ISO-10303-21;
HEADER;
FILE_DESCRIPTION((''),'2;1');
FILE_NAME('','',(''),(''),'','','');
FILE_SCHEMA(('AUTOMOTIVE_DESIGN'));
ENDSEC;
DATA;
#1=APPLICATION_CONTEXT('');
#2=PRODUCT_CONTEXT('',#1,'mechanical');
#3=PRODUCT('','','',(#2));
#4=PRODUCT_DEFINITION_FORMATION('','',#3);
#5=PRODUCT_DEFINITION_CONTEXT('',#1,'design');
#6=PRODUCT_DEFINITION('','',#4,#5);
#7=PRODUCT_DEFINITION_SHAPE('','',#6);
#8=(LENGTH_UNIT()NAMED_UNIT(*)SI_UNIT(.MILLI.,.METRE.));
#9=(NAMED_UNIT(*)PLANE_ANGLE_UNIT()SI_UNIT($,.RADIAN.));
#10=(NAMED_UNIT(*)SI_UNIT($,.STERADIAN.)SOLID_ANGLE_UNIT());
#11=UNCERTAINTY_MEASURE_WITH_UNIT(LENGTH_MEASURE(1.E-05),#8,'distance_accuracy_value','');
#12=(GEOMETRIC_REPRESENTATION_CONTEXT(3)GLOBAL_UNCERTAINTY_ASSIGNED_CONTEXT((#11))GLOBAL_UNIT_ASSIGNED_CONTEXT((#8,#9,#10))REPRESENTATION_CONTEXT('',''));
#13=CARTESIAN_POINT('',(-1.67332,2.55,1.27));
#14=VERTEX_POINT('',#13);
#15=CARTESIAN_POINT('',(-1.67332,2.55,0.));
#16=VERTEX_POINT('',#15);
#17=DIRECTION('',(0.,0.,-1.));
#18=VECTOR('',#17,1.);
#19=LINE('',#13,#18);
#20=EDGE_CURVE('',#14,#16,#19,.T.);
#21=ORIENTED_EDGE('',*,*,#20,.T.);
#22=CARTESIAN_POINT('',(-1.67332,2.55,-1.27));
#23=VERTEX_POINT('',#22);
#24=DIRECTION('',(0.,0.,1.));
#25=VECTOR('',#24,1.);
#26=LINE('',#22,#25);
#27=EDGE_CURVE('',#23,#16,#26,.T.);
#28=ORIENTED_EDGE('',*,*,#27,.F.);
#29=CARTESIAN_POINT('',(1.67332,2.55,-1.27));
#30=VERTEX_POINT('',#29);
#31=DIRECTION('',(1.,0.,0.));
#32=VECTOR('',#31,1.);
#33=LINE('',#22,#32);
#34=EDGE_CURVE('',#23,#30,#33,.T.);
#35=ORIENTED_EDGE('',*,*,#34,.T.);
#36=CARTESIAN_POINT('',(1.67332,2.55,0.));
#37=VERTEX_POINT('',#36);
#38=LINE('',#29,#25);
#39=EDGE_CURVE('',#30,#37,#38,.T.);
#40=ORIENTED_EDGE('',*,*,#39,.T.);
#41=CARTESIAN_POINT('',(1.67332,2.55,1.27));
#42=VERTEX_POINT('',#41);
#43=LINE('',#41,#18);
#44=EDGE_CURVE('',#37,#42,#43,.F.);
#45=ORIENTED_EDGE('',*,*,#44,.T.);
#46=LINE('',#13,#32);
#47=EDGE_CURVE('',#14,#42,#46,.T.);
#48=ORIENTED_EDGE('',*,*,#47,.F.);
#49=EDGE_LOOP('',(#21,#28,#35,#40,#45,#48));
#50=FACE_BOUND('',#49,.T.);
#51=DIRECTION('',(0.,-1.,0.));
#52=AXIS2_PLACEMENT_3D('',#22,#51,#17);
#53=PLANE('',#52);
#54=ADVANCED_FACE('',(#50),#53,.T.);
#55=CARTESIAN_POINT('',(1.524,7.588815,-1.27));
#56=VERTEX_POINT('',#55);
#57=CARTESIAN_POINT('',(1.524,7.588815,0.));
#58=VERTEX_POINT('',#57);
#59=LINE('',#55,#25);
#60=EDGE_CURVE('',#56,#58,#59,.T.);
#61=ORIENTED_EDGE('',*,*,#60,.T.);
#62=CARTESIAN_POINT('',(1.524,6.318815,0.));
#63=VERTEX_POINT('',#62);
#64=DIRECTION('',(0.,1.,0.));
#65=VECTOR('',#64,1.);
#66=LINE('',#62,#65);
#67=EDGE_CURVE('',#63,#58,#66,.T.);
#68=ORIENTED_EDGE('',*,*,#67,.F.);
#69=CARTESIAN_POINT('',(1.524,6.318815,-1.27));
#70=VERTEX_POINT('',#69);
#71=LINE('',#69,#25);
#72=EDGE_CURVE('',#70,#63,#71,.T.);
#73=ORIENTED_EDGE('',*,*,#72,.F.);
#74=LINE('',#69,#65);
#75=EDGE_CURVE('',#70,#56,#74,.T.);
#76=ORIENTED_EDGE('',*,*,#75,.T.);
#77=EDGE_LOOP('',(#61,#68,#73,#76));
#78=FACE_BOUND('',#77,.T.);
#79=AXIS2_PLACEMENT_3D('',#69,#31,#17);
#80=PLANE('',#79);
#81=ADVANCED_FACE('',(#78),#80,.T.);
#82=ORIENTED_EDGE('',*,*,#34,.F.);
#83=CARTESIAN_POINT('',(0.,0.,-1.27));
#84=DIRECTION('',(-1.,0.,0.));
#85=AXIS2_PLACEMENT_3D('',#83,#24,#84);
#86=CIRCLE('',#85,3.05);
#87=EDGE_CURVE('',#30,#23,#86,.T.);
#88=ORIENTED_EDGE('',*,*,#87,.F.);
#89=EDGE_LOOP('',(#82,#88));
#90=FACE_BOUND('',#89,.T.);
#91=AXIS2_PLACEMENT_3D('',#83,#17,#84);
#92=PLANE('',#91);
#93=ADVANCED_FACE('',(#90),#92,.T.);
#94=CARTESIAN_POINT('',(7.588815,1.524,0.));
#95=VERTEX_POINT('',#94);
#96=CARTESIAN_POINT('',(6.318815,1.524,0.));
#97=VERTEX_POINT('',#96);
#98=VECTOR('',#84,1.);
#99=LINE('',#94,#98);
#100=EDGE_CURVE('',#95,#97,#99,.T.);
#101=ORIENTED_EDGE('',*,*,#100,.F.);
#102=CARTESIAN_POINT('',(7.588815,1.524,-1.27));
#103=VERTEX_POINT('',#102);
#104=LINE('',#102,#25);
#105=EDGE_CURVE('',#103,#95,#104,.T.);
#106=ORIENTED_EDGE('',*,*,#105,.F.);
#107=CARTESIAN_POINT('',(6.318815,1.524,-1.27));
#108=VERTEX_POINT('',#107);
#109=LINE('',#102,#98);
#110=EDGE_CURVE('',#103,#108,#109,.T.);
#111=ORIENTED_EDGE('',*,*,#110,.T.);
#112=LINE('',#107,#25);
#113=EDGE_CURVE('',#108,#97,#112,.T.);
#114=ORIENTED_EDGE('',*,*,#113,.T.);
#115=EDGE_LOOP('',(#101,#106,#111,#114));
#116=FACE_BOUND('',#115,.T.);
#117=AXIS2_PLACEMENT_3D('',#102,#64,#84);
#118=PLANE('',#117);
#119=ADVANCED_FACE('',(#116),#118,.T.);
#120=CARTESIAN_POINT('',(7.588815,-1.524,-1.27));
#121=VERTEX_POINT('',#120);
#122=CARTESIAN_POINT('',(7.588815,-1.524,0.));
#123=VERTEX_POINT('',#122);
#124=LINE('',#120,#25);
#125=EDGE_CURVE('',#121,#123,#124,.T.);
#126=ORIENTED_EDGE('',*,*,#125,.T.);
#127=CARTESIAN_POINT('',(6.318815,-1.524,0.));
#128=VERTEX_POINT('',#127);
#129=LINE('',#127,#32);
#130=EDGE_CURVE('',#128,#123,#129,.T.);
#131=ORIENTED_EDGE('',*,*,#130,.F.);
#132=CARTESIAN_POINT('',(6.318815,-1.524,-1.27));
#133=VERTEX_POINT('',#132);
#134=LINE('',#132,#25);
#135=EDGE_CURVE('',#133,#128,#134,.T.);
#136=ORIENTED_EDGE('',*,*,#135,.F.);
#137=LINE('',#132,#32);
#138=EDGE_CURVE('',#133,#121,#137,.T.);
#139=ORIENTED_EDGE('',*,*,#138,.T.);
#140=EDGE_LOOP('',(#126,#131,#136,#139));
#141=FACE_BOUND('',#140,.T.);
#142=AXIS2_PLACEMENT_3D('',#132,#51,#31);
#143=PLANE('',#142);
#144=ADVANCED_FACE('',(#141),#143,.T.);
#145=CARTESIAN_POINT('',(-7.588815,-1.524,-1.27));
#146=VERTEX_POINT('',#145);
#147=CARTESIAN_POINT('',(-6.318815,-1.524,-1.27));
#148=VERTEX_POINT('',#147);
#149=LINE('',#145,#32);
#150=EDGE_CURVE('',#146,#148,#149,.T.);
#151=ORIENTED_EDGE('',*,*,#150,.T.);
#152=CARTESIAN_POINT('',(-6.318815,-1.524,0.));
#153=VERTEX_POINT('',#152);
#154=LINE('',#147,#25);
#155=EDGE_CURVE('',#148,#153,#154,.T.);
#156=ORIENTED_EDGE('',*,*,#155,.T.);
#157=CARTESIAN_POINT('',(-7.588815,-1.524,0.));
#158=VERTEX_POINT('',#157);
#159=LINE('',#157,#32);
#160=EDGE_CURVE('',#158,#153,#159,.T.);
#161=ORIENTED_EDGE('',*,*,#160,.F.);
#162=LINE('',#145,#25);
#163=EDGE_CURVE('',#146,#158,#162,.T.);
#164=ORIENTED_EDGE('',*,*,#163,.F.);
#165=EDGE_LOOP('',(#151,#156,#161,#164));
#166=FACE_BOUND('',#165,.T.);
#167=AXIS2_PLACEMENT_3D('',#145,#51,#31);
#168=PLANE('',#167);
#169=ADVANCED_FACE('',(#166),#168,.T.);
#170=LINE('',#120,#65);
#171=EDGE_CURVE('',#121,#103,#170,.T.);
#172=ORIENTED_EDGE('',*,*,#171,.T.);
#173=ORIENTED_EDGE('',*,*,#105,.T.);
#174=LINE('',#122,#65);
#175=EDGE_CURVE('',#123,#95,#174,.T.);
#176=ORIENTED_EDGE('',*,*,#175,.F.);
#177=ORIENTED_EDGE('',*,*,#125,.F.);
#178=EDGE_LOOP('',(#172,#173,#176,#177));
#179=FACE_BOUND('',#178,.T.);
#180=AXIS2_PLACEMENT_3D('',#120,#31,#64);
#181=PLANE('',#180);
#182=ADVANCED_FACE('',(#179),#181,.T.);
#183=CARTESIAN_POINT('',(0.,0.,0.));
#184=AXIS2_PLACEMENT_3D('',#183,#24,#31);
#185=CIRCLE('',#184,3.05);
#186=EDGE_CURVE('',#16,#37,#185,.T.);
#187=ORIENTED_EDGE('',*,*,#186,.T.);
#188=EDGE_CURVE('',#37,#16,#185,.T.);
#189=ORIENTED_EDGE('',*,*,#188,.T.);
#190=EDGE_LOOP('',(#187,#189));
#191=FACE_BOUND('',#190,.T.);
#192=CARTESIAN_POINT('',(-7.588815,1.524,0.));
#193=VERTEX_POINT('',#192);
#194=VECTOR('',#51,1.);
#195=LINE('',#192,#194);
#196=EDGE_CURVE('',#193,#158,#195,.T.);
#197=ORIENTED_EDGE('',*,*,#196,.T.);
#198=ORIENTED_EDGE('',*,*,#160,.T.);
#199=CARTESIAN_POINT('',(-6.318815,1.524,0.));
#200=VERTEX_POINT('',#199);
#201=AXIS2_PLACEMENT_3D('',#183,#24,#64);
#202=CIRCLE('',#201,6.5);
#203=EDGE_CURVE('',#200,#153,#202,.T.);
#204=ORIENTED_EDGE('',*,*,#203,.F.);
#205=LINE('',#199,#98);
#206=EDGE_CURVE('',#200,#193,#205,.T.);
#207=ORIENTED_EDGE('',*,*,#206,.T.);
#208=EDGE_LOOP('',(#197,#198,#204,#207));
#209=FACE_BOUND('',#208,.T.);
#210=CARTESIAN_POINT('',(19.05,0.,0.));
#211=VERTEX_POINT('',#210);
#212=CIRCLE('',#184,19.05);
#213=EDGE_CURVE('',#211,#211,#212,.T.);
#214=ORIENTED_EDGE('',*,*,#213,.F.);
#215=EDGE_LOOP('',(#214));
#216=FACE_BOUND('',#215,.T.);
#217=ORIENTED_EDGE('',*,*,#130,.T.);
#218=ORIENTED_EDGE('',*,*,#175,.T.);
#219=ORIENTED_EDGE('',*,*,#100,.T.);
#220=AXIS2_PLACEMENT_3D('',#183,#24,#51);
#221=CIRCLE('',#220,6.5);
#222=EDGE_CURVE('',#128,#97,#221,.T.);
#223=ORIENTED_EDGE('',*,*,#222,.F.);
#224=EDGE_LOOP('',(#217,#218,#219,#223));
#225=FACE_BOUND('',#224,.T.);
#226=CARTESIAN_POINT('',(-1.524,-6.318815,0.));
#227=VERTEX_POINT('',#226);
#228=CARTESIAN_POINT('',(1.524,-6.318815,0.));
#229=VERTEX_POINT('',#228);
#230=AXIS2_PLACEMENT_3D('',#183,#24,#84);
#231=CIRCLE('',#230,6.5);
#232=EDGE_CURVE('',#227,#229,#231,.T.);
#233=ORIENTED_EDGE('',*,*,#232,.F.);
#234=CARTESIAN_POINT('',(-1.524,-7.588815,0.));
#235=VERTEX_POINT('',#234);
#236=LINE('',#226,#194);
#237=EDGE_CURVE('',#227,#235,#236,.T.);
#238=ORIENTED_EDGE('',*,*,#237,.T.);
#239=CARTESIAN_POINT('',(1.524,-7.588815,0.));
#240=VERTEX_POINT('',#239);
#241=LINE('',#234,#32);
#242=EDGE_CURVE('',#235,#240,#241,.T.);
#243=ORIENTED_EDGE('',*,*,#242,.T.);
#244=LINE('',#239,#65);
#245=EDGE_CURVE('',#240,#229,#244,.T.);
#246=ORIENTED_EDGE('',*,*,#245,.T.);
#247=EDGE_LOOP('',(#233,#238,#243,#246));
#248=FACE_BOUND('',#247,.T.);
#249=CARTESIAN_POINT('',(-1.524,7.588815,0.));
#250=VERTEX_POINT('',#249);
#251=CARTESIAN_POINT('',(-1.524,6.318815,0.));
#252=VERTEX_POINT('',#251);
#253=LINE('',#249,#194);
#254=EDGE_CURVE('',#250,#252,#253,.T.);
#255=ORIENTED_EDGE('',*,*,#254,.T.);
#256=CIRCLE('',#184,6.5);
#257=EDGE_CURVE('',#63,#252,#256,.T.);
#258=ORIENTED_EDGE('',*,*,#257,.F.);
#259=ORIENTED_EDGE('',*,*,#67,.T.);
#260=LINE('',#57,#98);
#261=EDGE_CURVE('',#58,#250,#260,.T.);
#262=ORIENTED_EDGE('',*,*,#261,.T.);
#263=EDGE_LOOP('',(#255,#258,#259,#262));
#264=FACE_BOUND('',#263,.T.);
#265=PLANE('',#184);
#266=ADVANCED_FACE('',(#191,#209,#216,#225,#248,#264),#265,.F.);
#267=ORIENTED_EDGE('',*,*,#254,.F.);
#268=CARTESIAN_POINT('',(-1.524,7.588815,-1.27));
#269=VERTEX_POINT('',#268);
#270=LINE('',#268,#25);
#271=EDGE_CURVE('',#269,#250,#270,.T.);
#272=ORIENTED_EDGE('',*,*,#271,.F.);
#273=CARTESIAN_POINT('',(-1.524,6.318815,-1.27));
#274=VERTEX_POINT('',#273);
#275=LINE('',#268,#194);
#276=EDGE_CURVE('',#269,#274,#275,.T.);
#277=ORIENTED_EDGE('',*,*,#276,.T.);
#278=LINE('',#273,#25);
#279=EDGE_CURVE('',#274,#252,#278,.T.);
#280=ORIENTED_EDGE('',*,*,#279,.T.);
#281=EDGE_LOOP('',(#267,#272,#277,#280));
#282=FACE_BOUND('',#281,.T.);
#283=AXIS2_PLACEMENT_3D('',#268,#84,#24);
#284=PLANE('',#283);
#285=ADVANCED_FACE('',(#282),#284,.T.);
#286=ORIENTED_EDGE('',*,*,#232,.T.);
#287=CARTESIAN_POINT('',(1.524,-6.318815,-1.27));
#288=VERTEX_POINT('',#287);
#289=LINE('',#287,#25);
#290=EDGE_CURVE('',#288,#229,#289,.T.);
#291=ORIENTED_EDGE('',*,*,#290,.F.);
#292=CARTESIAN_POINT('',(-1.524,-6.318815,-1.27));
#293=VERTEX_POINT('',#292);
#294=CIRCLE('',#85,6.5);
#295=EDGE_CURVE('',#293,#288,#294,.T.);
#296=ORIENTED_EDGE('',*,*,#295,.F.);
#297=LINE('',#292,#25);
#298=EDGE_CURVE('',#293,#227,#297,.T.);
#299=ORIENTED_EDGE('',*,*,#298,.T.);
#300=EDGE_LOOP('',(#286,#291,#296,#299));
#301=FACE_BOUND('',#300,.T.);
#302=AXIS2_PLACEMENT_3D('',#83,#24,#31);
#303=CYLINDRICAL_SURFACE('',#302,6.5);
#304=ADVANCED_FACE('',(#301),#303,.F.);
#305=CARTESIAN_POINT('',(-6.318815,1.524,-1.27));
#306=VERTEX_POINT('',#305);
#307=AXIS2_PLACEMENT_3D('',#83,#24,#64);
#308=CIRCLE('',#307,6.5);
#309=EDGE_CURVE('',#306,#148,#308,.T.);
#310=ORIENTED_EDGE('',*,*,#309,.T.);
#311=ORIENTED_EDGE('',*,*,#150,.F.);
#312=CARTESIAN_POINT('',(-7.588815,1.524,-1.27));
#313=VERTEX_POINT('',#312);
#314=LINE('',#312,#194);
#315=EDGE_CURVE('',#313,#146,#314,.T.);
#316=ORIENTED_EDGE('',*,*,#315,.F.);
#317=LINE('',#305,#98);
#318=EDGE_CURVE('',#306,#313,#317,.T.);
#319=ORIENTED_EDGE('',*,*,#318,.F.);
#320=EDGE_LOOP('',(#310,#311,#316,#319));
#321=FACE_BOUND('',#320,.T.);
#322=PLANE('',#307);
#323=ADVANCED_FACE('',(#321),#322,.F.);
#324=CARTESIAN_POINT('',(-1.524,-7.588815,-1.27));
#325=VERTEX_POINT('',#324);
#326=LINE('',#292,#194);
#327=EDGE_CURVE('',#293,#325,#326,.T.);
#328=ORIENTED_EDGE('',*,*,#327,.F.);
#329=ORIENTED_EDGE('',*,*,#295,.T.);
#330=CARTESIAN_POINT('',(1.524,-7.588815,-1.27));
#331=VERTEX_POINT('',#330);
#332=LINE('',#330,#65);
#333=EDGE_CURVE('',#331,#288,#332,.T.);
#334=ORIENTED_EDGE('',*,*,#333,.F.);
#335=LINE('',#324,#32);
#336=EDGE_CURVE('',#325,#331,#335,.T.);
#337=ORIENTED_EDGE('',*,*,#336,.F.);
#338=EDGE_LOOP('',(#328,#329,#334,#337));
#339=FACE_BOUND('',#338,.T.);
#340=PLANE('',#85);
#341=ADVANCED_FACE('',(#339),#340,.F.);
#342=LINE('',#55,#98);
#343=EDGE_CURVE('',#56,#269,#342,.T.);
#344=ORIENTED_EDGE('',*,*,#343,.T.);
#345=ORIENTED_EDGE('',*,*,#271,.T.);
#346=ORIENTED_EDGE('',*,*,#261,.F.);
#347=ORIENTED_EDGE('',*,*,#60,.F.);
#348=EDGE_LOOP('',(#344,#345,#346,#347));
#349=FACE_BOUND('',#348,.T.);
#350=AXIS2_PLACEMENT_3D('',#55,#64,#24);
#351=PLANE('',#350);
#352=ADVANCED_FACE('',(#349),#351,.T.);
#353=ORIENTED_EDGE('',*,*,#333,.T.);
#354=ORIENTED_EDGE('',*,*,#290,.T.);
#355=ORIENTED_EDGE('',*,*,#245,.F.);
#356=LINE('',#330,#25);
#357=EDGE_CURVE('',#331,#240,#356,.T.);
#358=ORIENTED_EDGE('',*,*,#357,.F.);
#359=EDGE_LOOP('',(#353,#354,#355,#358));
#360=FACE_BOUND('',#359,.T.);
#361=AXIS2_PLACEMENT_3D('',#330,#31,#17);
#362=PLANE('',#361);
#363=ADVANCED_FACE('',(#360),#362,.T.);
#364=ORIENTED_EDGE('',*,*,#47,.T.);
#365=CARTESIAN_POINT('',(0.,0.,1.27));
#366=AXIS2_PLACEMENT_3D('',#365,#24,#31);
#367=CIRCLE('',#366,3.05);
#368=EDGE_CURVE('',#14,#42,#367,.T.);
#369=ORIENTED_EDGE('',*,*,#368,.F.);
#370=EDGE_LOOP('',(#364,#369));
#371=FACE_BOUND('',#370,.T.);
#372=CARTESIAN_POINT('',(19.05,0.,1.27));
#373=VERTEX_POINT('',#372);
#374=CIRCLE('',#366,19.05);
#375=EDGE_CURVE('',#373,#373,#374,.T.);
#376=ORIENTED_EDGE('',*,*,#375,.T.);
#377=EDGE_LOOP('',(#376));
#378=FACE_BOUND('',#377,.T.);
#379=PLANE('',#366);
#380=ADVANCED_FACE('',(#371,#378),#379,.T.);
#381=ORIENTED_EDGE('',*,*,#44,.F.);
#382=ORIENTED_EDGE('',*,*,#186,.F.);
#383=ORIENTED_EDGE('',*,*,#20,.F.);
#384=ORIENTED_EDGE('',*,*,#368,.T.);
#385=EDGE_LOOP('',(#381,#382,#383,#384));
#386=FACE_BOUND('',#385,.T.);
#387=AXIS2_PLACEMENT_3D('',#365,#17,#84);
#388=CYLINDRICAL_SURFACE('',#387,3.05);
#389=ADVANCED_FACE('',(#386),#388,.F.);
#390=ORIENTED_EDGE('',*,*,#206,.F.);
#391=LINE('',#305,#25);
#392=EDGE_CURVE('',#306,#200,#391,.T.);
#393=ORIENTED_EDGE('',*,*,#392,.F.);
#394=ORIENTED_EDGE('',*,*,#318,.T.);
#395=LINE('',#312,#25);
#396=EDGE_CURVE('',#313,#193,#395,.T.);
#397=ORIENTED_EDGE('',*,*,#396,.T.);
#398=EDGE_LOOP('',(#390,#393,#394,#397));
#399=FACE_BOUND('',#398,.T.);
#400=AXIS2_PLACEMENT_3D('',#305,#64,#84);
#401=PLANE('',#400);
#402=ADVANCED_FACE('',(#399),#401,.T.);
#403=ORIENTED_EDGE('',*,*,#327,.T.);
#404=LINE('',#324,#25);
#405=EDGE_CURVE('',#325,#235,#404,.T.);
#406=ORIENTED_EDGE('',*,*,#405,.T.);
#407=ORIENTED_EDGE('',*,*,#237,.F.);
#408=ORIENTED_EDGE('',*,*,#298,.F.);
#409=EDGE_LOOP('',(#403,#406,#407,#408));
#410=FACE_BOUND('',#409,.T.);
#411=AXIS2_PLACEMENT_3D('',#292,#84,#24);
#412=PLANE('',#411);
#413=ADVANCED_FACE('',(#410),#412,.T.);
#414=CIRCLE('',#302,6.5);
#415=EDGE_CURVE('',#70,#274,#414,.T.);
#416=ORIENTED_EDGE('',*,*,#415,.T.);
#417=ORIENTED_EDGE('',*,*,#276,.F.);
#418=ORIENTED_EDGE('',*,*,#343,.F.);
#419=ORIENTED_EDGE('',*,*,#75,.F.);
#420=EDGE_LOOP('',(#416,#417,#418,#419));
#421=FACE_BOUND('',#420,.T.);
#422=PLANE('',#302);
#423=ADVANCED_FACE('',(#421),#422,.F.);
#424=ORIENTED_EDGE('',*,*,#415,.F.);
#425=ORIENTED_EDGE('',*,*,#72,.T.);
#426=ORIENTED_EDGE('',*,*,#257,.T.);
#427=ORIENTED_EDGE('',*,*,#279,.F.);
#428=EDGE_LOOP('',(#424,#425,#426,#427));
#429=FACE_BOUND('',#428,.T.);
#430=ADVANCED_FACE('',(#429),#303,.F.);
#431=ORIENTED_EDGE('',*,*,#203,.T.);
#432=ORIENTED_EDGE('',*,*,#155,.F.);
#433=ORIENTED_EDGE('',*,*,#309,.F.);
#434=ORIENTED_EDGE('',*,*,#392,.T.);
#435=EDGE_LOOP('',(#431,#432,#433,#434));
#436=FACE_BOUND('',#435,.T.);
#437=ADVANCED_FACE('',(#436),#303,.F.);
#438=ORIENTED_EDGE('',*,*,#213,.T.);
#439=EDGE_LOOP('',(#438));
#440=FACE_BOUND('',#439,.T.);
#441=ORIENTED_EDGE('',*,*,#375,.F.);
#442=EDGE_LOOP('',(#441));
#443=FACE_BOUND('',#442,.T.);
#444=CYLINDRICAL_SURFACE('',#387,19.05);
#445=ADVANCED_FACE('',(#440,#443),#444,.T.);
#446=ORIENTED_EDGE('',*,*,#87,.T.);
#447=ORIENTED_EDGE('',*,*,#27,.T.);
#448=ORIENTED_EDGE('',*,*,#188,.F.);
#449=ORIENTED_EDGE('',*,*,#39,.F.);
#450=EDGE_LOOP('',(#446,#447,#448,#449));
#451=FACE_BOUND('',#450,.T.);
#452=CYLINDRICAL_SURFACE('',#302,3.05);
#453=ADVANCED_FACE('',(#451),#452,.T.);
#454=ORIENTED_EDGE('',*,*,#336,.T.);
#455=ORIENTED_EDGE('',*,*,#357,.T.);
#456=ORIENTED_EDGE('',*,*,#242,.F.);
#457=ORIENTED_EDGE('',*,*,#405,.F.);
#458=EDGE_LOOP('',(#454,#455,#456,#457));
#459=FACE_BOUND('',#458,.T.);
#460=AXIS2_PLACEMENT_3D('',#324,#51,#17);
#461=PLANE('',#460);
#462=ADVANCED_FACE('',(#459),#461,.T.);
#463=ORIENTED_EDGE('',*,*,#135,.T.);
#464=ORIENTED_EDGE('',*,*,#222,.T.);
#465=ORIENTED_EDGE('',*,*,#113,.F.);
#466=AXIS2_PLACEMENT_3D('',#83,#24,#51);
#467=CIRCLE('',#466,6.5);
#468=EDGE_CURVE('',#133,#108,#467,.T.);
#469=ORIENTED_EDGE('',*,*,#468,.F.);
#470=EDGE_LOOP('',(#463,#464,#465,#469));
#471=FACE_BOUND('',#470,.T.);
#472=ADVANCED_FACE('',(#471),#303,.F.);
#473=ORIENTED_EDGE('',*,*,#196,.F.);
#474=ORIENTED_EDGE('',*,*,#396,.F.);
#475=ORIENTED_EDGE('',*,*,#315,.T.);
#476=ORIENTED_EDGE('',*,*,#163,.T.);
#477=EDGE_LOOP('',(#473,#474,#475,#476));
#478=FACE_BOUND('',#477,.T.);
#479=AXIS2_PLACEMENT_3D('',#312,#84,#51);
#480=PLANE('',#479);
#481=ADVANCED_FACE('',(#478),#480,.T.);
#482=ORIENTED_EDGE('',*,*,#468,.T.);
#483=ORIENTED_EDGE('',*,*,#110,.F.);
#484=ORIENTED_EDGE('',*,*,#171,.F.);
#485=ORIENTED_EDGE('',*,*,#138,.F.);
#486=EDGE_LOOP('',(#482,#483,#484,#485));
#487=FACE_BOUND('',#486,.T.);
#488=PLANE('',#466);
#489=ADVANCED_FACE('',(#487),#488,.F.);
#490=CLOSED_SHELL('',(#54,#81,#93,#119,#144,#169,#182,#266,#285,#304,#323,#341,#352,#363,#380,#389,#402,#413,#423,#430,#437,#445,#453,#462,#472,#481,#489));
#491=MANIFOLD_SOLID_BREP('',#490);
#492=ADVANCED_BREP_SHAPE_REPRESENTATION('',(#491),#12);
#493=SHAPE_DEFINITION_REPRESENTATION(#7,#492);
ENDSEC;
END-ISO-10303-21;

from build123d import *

# Parameters (mm, degrees)
SKETCH1_R           = 19.05
SKETCH1_R_2         = 3.05
BOSS_EXTRUDE1_DEPTH = 1.27
BOSS_EXTRUDE2_DEPTH = 1.27
CIRPATTERN1_COUNT   = 4
BOSS_EXTRUDE3_DEPTH = 2.54


with BuildPart() as part:
    # Sketch1 → Boss-Extrude1 (new body)
    with BuildSketch(Plane.XY):
        Circle(SKETCH1_R)
        Circle(SKETCH1_R_2, mode=Mode.SUBTRACT)
    extrude(amount=BOSS_EXTRUDE1_DEPTH)

    # Sketch2 → Boss-Extrude2 (add)
    with BuildSketch(Plane(origin=(0, 0, 0), x_dir=(-1, 0, 0), z_dir=(0, 0, -1))):
        with BuildLine():
            Line((-1.524, 6.318815031), (-1.524, 7.588815031))
            Line((-1.524, 7.588815031), (1.524, 7.588815031))
            Line((1.524, 7.588815031), (1.524, 6.318815031))
            ThreePointArc((1.524, 6.318815031), (0, 6.499999954), (-1.524, 6.318815031))
        make_face()
    boss_extrude2 = extrude(amount=BOSS_EXTRUDE2_DEPTH)

    # CirPattern1: Boss-Extrude2 ×4 about axis
    cirpattern1_axis = Axis((0, 0, 0), (0, 0, 1))
    for i in range(1, CIRPATTERN1_COUNT):
        add(boss_extrude2.rotate(cirpattern1_axis, i * 360 / CIRPATTERN1_COUNT))

    # Sketch3 → Boss-Extrude3 (add, through all)
    with BuildSketch(Plane.XY.offset(1.27)):
        with BuildLine():
            Line((-1.673320053, 2.55), (1.673320053, 2.55))
            ThreePointArc((1.673320053, 2.55), (0, 3.05), (-1.673320053, 2.55))
        make_face()
    extrude(amount=-BOSS_EXTRUDE3_DEPTH)


solid = part.part
